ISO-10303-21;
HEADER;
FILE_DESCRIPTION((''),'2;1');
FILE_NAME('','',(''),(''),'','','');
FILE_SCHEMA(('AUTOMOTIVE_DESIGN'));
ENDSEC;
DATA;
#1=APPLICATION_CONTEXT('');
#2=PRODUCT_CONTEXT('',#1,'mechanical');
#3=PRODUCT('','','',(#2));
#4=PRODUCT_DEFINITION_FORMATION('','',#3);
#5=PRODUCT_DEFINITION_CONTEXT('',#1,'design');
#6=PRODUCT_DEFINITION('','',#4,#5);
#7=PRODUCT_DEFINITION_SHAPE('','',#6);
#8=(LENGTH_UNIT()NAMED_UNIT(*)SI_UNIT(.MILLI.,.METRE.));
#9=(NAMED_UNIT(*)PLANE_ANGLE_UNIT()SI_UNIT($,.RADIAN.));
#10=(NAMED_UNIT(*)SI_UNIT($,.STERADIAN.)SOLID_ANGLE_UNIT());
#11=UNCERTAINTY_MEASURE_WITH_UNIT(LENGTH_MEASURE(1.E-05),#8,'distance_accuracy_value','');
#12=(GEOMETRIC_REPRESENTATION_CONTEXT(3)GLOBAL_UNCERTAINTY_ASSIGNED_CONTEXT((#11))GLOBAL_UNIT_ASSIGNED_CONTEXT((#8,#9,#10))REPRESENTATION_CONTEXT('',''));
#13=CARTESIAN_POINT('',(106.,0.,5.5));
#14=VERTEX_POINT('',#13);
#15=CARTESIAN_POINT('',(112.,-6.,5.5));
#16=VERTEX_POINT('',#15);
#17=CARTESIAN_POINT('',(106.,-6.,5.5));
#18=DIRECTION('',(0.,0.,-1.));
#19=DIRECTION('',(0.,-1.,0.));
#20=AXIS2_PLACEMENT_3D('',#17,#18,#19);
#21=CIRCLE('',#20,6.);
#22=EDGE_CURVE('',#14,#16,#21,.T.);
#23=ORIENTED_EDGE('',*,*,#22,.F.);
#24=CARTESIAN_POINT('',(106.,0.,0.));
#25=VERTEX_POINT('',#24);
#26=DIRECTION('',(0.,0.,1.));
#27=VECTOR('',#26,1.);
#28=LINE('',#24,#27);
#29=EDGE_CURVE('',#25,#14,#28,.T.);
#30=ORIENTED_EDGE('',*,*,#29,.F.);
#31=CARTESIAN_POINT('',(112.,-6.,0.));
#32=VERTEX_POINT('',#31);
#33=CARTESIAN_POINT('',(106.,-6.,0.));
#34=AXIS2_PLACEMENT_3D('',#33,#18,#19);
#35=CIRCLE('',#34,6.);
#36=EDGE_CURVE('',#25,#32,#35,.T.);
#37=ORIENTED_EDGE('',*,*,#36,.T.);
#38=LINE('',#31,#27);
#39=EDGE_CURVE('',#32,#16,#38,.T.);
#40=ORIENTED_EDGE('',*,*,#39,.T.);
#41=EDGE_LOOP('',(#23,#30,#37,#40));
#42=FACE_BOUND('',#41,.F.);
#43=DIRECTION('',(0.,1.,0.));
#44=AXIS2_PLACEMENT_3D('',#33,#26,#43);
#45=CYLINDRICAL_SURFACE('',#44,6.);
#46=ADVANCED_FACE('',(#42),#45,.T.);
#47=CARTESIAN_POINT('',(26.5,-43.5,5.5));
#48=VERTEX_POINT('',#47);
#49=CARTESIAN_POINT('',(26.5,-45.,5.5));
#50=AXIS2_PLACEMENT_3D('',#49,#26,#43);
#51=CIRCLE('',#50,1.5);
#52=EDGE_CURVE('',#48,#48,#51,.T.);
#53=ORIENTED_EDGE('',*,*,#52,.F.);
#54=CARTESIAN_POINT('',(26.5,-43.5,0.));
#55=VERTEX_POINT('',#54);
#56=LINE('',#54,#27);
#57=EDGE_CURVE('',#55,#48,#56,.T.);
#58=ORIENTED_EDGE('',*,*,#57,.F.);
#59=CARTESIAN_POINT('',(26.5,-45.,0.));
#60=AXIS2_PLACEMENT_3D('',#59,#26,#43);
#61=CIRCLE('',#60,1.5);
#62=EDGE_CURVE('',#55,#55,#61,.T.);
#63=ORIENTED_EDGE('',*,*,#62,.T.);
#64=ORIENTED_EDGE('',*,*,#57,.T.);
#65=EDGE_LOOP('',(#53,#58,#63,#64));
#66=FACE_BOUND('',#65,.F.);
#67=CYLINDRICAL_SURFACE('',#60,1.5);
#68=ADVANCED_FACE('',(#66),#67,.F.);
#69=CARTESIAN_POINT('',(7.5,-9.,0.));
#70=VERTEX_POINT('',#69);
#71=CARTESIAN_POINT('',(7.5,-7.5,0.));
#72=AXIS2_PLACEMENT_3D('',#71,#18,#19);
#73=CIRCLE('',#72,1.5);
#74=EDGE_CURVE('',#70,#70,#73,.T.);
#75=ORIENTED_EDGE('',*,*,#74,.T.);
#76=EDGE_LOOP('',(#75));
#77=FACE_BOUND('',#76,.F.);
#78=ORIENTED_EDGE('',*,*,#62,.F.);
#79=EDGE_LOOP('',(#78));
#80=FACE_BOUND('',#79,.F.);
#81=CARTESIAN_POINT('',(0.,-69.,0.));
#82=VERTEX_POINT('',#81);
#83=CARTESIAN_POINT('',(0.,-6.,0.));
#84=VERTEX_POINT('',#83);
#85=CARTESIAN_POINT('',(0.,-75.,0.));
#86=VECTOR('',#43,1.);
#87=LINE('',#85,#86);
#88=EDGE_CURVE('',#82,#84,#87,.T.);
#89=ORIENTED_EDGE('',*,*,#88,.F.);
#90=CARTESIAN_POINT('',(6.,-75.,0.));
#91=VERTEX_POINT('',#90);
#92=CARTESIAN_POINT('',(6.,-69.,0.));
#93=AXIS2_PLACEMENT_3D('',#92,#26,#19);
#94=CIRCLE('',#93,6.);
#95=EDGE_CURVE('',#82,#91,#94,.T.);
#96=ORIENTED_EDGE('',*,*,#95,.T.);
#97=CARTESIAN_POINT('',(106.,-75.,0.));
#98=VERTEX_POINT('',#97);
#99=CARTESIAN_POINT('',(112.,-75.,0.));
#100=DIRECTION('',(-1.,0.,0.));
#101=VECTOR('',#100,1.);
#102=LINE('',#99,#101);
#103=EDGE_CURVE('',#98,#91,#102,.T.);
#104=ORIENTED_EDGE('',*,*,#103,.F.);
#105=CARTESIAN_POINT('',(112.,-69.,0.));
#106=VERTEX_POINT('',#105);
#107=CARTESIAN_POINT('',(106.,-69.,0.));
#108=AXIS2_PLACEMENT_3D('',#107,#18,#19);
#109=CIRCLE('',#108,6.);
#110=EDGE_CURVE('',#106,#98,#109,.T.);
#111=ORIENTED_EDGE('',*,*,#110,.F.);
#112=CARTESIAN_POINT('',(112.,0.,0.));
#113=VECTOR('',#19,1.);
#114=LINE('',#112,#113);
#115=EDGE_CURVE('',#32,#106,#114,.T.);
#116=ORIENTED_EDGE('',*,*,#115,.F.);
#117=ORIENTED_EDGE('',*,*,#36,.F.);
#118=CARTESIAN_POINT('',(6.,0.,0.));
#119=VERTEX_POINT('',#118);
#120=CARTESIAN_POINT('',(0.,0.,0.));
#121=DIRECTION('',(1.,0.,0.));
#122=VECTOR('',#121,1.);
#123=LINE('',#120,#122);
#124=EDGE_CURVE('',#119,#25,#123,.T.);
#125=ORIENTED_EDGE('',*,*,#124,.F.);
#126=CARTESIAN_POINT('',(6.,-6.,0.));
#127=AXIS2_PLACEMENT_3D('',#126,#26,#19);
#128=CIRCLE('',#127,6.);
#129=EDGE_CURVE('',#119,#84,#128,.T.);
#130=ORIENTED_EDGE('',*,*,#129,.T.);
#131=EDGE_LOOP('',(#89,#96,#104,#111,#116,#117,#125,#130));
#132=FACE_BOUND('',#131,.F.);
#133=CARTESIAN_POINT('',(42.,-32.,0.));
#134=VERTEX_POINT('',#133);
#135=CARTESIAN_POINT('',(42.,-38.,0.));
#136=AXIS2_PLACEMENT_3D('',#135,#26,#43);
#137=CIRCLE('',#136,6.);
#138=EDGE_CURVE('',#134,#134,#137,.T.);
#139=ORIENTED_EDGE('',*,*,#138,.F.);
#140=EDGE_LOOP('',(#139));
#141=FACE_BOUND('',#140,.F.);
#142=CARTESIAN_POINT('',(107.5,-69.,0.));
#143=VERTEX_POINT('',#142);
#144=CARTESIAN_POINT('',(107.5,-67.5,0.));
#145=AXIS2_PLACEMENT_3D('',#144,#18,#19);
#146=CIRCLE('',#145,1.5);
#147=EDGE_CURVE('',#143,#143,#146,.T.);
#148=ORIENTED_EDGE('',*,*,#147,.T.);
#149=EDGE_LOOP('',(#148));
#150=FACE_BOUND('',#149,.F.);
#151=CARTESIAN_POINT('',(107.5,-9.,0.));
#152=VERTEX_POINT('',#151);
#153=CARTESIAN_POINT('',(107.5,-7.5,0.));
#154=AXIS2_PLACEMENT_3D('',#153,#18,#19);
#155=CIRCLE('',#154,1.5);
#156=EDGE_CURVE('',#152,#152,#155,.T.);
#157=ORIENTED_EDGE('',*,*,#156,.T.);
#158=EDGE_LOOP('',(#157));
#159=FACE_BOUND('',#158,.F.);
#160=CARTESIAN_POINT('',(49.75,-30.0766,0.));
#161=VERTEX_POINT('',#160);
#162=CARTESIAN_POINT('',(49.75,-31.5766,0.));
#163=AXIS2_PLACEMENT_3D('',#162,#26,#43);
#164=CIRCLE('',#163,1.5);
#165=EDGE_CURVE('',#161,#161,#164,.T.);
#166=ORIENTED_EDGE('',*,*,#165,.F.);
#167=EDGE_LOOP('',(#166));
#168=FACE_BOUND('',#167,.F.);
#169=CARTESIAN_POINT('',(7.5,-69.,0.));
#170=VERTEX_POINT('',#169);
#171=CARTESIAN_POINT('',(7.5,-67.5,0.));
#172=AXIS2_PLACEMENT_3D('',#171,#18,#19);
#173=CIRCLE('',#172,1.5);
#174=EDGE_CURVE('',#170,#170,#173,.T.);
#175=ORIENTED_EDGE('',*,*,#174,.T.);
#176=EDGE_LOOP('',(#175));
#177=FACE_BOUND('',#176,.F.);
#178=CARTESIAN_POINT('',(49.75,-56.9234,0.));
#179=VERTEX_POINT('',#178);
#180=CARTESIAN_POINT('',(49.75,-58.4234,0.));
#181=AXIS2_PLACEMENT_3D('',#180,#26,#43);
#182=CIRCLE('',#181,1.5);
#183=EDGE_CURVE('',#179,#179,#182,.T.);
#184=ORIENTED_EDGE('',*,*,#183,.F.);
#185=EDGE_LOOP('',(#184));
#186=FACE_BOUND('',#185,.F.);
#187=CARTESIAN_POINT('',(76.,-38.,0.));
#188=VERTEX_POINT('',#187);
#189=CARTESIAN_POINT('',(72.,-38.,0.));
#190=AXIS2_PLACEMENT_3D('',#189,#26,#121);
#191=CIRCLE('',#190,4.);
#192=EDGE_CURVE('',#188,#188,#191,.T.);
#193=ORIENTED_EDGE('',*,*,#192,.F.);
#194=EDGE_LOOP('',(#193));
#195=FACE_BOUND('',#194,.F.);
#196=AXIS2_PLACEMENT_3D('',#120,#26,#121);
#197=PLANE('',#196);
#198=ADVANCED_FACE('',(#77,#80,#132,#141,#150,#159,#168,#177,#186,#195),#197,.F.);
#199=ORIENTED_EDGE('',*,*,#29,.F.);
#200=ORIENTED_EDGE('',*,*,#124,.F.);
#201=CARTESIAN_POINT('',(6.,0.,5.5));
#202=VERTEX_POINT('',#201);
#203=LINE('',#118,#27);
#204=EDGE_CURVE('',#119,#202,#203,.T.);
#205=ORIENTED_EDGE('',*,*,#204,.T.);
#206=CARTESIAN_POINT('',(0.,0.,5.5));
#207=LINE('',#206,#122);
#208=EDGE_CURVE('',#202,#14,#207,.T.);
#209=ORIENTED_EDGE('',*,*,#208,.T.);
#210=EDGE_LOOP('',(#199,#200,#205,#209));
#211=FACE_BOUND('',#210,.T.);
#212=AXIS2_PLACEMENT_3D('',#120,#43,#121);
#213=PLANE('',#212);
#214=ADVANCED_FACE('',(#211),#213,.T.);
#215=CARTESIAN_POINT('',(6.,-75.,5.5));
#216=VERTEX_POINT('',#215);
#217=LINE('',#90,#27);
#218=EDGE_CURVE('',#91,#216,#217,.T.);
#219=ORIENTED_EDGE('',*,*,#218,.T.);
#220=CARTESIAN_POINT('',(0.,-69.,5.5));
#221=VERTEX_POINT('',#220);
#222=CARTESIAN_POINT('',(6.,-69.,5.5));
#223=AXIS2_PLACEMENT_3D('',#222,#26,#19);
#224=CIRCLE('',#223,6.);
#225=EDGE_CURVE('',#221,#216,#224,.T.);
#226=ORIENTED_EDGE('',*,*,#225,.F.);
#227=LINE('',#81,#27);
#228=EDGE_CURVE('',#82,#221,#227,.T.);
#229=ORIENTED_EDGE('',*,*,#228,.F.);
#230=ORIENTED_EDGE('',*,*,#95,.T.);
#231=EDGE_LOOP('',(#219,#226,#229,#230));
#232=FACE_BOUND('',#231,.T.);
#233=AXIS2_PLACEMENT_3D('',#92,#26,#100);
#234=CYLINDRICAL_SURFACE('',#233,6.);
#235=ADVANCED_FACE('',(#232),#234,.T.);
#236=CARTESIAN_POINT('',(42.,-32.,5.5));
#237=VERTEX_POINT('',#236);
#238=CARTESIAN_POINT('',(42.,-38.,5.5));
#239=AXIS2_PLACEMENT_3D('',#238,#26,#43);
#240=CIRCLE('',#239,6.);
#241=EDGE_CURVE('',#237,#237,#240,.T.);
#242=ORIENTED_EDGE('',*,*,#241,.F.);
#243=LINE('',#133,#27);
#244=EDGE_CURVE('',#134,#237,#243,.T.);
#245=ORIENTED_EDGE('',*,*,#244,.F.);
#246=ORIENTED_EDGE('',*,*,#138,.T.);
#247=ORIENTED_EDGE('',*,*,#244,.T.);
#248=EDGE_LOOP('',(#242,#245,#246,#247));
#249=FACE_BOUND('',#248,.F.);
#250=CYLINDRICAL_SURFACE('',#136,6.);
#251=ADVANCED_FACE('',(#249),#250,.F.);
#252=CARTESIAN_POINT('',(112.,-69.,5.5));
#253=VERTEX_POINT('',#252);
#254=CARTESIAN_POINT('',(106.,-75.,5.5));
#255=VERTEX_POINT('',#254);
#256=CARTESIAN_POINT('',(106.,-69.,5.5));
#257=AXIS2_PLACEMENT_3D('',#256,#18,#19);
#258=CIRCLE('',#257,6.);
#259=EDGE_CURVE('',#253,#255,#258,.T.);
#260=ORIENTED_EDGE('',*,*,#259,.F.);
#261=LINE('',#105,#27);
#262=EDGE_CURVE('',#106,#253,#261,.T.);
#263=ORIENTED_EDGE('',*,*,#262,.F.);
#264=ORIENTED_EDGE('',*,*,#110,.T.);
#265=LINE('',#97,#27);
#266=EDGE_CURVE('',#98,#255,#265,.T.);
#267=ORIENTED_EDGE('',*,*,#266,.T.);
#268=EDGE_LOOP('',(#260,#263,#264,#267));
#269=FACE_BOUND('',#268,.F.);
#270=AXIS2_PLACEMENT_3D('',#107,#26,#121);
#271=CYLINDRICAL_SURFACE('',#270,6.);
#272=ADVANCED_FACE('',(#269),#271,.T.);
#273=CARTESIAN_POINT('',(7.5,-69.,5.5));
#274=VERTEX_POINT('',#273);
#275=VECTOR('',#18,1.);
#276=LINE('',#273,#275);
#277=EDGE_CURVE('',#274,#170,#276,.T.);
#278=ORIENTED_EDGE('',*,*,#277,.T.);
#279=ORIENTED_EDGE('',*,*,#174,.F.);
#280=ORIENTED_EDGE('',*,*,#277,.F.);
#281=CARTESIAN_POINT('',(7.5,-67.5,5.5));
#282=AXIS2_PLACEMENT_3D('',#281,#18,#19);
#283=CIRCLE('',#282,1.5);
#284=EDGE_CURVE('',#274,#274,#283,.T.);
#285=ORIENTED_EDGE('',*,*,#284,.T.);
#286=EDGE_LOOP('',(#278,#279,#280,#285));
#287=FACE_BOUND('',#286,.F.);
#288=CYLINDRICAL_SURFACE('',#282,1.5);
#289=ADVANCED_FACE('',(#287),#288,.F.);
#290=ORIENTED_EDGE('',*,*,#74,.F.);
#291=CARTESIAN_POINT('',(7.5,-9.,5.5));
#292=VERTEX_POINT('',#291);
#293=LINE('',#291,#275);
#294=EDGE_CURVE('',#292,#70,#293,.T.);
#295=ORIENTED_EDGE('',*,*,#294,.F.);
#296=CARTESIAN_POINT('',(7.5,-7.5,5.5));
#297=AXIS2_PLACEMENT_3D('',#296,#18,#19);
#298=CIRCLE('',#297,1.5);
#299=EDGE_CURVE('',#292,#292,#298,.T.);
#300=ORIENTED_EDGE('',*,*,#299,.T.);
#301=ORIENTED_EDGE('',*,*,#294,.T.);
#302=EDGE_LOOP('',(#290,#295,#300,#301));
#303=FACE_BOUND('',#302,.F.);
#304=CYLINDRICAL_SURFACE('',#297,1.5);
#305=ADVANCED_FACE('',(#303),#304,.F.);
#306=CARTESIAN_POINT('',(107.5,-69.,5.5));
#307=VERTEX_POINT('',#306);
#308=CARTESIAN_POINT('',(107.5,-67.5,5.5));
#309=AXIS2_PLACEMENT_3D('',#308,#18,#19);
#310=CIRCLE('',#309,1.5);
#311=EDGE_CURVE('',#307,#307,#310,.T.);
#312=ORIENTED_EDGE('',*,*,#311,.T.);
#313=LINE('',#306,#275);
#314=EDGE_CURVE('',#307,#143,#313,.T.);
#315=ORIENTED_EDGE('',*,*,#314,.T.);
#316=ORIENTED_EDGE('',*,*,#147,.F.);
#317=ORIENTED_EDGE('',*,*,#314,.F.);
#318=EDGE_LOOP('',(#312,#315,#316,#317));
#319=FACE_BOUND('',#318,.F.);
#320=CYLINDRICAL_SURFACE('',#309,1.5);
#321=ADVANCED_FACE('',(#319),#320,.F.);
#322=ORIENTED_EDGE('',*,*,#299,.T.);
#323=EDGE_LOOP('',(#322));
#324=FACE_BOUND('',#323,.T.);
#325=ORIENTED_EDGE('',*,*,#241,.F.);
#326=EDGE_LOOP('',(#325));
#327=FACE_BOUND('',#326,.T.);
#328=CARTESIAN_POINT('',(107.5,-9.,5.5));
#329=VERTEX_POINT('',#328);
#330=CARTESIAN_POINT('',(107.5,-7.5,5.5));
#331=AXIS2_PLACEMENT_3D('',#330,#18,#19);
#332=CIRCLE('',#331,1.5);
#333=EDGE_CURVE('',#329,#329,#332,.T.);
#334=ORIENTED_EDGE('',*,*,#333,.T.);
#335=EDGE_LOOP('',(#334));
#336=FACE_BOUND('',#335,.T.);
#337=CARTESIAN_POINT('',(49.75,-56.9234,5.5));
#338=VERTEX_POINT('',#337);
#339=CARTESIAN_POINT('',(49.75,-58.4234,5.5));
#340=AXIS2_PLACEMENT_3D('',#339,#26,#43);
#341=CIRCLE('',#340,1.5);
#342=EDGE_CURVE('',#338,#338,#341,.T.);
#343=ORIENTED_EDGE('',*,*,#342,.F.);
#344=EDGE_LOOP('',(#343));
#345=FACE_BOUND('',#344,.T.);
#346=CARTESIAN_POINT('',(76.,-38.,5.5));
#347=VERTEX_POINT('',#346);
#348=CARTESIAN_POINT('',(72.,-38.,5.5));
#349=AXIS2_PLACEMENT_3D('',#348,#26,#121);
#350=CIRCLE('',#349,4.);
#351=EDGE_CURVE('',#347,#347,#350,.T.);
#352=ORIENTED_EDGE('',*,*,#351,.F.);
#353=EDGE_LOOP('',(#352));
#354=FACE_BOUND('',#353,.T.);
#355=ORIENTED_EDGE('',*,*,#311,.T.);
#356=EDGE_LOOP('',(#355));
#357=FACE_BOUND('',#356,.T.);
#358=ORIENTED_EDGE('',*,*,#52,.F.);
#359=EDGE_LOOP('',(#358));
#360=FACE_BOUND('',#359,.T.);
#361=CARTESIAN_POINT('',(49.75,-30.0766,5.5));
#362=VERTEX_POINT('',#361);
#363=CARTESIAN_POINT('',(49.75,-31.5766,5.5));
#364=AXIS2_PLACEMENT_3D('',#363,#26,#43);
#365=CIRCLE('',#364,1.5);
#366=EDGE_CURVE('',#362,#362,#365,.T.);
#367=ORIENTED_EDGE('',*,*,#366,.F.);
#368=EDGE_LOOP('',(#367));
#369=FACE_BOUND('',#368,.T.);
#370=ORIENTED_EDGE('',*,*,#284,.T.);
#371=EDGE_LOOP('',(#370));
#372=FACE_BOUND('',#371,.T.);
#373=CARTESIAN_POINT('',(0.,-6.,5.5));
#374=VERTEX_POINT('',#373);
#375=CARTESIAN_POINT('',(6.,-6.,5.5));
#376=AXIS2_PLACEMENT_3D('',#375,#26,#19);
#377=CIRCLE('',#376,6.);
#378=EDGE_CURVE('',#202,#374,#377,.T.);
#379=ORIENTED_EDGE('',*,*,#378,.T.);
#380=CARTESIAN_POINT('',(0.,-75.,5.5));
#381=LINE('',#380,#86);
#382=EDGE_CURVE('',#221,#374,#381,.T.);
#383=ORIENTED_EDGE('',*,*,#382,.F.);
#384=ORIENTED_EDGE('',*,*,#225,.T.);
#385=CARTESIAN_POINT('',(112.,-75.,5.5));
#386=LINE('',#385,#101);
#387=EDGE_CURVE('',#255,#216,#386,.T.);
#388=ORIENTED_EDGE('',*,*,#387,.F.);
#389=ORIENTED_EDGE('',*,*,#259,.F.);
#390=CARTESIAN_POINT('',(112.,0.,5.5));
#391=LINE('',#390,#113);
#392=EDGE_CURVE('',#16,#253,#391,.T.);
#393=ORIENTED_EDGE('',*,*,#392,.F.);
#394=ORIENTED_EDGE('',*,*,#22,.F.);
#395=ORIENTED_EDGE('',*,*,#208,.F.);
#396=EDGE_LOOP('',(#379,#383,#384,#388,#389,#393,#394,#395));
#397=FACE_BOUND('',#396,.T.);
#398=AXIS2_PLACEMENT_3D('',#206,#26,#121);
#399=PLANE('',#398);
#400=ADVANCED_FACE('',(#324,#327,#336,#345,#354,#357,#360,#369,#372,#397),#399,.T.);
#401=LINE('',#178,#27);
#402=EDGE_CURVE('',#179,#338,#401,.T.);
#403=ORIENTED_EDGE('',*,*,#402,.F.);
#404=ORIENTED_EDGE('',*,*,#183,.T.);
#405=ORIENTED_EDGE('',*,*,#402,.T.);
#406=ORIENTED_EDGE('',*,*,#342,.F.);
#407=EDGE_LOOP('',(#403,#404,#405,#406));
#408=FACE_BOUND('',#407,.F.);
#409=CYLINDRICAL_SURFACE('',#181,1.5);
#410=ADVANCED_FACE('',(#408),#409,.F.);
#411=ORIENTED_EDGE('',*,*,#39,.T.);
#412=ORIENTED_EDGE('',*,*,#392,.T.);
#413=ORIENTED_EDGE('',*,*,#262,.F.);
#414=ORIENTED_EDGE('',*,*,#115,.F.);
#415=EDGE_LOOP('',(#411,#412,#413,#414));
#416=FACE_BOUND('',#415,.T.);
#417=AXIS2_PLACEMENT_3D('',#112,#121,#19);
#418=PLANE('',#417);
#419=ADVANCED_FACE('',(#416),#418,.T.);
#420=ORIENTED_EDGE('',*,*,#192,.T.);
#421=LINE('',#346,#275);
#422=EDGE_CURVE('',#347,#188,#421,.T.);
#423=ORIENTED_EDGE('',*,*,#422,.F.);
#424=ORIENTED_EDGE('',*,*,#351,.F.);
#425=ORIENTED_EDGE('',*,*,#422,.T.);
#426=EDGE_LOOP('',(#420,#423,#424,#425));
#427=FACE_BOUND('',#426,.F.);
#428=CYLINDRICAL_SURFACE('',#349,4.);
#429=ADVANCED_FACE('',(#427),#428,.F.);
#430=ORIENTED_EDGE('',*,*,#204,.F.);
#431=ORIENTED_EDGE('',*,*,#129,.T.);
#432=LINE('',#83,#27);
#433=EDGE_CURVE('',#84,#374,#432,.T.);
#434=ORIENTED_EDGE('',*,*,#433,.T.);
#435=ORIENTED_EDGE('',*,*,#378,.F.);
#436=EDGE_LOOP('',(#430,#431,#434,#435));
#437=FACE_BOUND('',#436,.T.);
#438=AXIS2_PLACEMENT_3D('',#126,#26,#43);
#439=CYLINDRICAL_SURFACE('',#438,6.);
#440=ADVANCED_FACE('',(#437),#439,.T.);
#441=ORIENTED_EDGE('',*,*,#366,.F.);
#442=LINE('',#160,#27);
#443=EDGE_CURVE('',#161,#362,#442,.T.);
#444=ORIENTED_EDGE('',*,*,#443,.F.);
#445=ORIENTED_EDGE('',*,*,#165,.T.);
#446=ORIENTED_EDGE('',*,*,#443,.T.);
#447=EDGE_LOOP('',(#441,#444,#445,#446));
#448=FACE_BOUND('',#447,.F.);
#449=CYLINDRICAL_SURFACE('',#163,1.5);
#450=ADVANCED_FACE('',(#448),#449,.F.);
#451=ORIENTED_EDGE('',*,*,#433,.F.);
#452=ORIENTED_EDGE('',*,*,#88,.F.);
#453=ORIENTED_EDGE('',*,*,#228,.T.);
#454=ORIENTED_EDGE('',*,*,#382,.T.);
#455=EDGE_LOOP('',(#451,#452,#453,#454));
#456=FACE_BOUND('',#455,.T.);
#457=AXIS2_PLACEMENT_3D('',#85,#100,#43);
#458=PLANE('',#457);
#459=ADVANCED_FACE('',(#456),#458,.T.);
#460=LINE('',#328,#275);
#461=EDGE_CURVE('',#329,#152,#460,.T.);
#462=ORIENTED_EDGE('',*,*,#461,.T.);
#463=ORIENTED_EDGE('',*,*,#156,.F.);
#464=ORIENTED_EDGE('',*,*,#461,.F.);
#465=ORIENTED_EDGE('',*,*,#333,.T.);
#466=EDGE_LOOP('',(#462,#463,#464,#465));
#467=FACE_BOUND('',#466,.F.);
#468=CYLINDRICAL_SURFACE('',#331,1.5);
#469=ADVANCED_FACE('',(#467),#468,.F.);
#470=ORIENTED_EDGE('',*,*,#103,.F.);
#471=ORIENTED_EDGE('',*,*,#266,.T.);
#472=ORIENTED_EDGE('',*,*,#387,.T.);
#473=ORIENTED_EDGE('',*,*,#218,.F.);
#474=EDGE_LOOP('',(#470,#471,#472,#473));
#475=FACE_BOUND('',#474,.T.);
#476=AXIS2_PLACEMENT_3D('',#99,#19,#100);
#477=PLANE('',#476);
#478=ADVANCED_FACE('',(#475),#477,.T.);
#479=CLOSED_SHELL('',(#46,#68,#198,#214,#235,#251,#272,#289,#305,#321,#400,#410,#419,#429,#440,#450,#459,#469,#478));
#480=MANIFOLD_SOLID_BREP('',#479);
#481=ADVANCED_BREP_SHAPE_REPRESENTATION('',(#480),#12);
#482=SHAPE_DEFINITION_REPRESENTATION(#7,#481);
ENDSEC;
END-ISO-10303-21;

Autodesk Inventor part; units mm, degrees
ref_plane "YZ Plane" through (0, 0, 0) normal (1, 0, 0) x (0, 1, 0)
ref_plane "XZ Plane" through (0, 0, 0) normal (0, 1, 0) x (-1, 0, 0)
ref_plane "XY Plane" through (0, 0, 0) normal (0, 0, 1) x (1, 0, 0)
sketch "スケッチ1" plane through (0, 0, 0) normal (0, 0, 1) x (1, 0, 0)
  line L0 (0, 0) -> (112, 0)
  line L1 (112, 0) -> (112, -75)
  line L2 (112, -75) -> (0, -75)
  line L3 (0, -75) -> (0, 0)
  dimension "d0" = 112
  dimension "d1" = 75
extrude "押し出し1" add sketch "スケッチ1" along normal blind 5.5
sketch "スケッチ2" plane through (0, 0, 5.5) normal (0, 0, 1) x (1, 0, 0)
  line L0 (112, 0) -> (0, 0) projected
  line L1 (0, 0) -> (0, -75) projected
  line L2 (0, -75) -> (112, -75) projected
  point P0 (7.5, -7.5)
  point P1 (107.5, -7.5)
  point P2 (107.5, -67.5)
  point P3 (7.5, -67.5)
  dimension "d4" = 7.5
  dimension "d5" = 7.5
  dimension "d6" = 7.5
  dimension "d7" = 100
  dimension "d8" = 60
  dimension "d9" = 60
  dimension "d10" = 100
  dimension "d19" = 7.5
  dimension "d51" = 7.5
hole "穴1" at (7.5, -7.5, 5.5) at (107.5, -7.5, 5.5) at (107.5, -67.5, 5.5) at (7.5, -67.5, 5.5) direction (0, 0, -1) diameter 3 end through all
fillet "フィレット1" radius 6 4 edges at (112, 0, 2.75) (112, -75, 2.75) (0, 0, 2.75) (0, -75, 2.75)
sketch "スケッチ3" plane through (0, 0, 0) normal (0, 0, -1) x (-1, 0, 0)
  circle A0 centre (-42, -45) radius 15.5
  line L0 (-112, -69) -> (-112, -6) projected
  line L1 (0, -6) -> (0, -69) projected
  line L2 (-106, 0) -> (-6, 0) projected
  line L3 (-6, -75) -> (-106, -75) projected
  line L4 (-42, -45) -> (-26.5, -45)
  line L5 (-42, -45) -> (-49.75, -31.5766)
  line L6 (-42, -45) -> (-49.75, -58.4234)
  point P0 (0, 0)
  dimension "d20" = 31
  dimension "d21" = 70
  dimension "d22" = 112
  dimension "d23" = 75
  dimension "d24" = 30
  dimension "d25" = 120
  dimension "d26" = 120
hole "穴2" at (49.75, -58.4234, 0) at (49.75, -31.5766, 0) at (26.5, -45, 0) direction (0, 0, 1) diameter 3 end through all
sketch "スケッチ4" plane through (0, 0, 0) normal (0, 0, -1) x (-1, 0, 0)
  line L0 (-42, -45) -> (-42, -38)
  line L1 (-6, -75) -> (-106, -75) projected
  line L2 (-106, 0) -> (-6, 0) projected
  line L3 (-112, -69) -> (-112, -6) projected
  point P0 (0, 0)
  dimension "d34" = 7
  dimension "d35" = 30
  dimension "d36" = 75
  dimension "d37" = 70
hole "穴3" at (42, -38, 0) direction (0, 0, 1) diameter 12 end through all
sketch "スケッチ5" plane through (0, 0, 5.5) normal (0, 0, 1) x (1, 0, 0)
  circle A0 centre (72, -38) radius 4
  circle A1 centre (42, -38) radius 6 projected
  line L0 (106, 0) -> (6, 0) projected
  point P0 (0, 0)
  dimension "d45" = 8
  dimension "d46" = 30
  dimension "d47" = 38
  dimension "d48" = 38
extrude "押し出し2" cut sketch "スケッチ5" against normal through all contours A0
equation "\"d4\" = d5"
equation "\"d5\" = d19"
equation "\"d6\" = d4"
equation "\"d9\" = d8"
equation "\"d10\" = d7"
equation "\"d48\" = d47"
properties part number "前後直動12x12_4" material "木材 (カエデ材)"
